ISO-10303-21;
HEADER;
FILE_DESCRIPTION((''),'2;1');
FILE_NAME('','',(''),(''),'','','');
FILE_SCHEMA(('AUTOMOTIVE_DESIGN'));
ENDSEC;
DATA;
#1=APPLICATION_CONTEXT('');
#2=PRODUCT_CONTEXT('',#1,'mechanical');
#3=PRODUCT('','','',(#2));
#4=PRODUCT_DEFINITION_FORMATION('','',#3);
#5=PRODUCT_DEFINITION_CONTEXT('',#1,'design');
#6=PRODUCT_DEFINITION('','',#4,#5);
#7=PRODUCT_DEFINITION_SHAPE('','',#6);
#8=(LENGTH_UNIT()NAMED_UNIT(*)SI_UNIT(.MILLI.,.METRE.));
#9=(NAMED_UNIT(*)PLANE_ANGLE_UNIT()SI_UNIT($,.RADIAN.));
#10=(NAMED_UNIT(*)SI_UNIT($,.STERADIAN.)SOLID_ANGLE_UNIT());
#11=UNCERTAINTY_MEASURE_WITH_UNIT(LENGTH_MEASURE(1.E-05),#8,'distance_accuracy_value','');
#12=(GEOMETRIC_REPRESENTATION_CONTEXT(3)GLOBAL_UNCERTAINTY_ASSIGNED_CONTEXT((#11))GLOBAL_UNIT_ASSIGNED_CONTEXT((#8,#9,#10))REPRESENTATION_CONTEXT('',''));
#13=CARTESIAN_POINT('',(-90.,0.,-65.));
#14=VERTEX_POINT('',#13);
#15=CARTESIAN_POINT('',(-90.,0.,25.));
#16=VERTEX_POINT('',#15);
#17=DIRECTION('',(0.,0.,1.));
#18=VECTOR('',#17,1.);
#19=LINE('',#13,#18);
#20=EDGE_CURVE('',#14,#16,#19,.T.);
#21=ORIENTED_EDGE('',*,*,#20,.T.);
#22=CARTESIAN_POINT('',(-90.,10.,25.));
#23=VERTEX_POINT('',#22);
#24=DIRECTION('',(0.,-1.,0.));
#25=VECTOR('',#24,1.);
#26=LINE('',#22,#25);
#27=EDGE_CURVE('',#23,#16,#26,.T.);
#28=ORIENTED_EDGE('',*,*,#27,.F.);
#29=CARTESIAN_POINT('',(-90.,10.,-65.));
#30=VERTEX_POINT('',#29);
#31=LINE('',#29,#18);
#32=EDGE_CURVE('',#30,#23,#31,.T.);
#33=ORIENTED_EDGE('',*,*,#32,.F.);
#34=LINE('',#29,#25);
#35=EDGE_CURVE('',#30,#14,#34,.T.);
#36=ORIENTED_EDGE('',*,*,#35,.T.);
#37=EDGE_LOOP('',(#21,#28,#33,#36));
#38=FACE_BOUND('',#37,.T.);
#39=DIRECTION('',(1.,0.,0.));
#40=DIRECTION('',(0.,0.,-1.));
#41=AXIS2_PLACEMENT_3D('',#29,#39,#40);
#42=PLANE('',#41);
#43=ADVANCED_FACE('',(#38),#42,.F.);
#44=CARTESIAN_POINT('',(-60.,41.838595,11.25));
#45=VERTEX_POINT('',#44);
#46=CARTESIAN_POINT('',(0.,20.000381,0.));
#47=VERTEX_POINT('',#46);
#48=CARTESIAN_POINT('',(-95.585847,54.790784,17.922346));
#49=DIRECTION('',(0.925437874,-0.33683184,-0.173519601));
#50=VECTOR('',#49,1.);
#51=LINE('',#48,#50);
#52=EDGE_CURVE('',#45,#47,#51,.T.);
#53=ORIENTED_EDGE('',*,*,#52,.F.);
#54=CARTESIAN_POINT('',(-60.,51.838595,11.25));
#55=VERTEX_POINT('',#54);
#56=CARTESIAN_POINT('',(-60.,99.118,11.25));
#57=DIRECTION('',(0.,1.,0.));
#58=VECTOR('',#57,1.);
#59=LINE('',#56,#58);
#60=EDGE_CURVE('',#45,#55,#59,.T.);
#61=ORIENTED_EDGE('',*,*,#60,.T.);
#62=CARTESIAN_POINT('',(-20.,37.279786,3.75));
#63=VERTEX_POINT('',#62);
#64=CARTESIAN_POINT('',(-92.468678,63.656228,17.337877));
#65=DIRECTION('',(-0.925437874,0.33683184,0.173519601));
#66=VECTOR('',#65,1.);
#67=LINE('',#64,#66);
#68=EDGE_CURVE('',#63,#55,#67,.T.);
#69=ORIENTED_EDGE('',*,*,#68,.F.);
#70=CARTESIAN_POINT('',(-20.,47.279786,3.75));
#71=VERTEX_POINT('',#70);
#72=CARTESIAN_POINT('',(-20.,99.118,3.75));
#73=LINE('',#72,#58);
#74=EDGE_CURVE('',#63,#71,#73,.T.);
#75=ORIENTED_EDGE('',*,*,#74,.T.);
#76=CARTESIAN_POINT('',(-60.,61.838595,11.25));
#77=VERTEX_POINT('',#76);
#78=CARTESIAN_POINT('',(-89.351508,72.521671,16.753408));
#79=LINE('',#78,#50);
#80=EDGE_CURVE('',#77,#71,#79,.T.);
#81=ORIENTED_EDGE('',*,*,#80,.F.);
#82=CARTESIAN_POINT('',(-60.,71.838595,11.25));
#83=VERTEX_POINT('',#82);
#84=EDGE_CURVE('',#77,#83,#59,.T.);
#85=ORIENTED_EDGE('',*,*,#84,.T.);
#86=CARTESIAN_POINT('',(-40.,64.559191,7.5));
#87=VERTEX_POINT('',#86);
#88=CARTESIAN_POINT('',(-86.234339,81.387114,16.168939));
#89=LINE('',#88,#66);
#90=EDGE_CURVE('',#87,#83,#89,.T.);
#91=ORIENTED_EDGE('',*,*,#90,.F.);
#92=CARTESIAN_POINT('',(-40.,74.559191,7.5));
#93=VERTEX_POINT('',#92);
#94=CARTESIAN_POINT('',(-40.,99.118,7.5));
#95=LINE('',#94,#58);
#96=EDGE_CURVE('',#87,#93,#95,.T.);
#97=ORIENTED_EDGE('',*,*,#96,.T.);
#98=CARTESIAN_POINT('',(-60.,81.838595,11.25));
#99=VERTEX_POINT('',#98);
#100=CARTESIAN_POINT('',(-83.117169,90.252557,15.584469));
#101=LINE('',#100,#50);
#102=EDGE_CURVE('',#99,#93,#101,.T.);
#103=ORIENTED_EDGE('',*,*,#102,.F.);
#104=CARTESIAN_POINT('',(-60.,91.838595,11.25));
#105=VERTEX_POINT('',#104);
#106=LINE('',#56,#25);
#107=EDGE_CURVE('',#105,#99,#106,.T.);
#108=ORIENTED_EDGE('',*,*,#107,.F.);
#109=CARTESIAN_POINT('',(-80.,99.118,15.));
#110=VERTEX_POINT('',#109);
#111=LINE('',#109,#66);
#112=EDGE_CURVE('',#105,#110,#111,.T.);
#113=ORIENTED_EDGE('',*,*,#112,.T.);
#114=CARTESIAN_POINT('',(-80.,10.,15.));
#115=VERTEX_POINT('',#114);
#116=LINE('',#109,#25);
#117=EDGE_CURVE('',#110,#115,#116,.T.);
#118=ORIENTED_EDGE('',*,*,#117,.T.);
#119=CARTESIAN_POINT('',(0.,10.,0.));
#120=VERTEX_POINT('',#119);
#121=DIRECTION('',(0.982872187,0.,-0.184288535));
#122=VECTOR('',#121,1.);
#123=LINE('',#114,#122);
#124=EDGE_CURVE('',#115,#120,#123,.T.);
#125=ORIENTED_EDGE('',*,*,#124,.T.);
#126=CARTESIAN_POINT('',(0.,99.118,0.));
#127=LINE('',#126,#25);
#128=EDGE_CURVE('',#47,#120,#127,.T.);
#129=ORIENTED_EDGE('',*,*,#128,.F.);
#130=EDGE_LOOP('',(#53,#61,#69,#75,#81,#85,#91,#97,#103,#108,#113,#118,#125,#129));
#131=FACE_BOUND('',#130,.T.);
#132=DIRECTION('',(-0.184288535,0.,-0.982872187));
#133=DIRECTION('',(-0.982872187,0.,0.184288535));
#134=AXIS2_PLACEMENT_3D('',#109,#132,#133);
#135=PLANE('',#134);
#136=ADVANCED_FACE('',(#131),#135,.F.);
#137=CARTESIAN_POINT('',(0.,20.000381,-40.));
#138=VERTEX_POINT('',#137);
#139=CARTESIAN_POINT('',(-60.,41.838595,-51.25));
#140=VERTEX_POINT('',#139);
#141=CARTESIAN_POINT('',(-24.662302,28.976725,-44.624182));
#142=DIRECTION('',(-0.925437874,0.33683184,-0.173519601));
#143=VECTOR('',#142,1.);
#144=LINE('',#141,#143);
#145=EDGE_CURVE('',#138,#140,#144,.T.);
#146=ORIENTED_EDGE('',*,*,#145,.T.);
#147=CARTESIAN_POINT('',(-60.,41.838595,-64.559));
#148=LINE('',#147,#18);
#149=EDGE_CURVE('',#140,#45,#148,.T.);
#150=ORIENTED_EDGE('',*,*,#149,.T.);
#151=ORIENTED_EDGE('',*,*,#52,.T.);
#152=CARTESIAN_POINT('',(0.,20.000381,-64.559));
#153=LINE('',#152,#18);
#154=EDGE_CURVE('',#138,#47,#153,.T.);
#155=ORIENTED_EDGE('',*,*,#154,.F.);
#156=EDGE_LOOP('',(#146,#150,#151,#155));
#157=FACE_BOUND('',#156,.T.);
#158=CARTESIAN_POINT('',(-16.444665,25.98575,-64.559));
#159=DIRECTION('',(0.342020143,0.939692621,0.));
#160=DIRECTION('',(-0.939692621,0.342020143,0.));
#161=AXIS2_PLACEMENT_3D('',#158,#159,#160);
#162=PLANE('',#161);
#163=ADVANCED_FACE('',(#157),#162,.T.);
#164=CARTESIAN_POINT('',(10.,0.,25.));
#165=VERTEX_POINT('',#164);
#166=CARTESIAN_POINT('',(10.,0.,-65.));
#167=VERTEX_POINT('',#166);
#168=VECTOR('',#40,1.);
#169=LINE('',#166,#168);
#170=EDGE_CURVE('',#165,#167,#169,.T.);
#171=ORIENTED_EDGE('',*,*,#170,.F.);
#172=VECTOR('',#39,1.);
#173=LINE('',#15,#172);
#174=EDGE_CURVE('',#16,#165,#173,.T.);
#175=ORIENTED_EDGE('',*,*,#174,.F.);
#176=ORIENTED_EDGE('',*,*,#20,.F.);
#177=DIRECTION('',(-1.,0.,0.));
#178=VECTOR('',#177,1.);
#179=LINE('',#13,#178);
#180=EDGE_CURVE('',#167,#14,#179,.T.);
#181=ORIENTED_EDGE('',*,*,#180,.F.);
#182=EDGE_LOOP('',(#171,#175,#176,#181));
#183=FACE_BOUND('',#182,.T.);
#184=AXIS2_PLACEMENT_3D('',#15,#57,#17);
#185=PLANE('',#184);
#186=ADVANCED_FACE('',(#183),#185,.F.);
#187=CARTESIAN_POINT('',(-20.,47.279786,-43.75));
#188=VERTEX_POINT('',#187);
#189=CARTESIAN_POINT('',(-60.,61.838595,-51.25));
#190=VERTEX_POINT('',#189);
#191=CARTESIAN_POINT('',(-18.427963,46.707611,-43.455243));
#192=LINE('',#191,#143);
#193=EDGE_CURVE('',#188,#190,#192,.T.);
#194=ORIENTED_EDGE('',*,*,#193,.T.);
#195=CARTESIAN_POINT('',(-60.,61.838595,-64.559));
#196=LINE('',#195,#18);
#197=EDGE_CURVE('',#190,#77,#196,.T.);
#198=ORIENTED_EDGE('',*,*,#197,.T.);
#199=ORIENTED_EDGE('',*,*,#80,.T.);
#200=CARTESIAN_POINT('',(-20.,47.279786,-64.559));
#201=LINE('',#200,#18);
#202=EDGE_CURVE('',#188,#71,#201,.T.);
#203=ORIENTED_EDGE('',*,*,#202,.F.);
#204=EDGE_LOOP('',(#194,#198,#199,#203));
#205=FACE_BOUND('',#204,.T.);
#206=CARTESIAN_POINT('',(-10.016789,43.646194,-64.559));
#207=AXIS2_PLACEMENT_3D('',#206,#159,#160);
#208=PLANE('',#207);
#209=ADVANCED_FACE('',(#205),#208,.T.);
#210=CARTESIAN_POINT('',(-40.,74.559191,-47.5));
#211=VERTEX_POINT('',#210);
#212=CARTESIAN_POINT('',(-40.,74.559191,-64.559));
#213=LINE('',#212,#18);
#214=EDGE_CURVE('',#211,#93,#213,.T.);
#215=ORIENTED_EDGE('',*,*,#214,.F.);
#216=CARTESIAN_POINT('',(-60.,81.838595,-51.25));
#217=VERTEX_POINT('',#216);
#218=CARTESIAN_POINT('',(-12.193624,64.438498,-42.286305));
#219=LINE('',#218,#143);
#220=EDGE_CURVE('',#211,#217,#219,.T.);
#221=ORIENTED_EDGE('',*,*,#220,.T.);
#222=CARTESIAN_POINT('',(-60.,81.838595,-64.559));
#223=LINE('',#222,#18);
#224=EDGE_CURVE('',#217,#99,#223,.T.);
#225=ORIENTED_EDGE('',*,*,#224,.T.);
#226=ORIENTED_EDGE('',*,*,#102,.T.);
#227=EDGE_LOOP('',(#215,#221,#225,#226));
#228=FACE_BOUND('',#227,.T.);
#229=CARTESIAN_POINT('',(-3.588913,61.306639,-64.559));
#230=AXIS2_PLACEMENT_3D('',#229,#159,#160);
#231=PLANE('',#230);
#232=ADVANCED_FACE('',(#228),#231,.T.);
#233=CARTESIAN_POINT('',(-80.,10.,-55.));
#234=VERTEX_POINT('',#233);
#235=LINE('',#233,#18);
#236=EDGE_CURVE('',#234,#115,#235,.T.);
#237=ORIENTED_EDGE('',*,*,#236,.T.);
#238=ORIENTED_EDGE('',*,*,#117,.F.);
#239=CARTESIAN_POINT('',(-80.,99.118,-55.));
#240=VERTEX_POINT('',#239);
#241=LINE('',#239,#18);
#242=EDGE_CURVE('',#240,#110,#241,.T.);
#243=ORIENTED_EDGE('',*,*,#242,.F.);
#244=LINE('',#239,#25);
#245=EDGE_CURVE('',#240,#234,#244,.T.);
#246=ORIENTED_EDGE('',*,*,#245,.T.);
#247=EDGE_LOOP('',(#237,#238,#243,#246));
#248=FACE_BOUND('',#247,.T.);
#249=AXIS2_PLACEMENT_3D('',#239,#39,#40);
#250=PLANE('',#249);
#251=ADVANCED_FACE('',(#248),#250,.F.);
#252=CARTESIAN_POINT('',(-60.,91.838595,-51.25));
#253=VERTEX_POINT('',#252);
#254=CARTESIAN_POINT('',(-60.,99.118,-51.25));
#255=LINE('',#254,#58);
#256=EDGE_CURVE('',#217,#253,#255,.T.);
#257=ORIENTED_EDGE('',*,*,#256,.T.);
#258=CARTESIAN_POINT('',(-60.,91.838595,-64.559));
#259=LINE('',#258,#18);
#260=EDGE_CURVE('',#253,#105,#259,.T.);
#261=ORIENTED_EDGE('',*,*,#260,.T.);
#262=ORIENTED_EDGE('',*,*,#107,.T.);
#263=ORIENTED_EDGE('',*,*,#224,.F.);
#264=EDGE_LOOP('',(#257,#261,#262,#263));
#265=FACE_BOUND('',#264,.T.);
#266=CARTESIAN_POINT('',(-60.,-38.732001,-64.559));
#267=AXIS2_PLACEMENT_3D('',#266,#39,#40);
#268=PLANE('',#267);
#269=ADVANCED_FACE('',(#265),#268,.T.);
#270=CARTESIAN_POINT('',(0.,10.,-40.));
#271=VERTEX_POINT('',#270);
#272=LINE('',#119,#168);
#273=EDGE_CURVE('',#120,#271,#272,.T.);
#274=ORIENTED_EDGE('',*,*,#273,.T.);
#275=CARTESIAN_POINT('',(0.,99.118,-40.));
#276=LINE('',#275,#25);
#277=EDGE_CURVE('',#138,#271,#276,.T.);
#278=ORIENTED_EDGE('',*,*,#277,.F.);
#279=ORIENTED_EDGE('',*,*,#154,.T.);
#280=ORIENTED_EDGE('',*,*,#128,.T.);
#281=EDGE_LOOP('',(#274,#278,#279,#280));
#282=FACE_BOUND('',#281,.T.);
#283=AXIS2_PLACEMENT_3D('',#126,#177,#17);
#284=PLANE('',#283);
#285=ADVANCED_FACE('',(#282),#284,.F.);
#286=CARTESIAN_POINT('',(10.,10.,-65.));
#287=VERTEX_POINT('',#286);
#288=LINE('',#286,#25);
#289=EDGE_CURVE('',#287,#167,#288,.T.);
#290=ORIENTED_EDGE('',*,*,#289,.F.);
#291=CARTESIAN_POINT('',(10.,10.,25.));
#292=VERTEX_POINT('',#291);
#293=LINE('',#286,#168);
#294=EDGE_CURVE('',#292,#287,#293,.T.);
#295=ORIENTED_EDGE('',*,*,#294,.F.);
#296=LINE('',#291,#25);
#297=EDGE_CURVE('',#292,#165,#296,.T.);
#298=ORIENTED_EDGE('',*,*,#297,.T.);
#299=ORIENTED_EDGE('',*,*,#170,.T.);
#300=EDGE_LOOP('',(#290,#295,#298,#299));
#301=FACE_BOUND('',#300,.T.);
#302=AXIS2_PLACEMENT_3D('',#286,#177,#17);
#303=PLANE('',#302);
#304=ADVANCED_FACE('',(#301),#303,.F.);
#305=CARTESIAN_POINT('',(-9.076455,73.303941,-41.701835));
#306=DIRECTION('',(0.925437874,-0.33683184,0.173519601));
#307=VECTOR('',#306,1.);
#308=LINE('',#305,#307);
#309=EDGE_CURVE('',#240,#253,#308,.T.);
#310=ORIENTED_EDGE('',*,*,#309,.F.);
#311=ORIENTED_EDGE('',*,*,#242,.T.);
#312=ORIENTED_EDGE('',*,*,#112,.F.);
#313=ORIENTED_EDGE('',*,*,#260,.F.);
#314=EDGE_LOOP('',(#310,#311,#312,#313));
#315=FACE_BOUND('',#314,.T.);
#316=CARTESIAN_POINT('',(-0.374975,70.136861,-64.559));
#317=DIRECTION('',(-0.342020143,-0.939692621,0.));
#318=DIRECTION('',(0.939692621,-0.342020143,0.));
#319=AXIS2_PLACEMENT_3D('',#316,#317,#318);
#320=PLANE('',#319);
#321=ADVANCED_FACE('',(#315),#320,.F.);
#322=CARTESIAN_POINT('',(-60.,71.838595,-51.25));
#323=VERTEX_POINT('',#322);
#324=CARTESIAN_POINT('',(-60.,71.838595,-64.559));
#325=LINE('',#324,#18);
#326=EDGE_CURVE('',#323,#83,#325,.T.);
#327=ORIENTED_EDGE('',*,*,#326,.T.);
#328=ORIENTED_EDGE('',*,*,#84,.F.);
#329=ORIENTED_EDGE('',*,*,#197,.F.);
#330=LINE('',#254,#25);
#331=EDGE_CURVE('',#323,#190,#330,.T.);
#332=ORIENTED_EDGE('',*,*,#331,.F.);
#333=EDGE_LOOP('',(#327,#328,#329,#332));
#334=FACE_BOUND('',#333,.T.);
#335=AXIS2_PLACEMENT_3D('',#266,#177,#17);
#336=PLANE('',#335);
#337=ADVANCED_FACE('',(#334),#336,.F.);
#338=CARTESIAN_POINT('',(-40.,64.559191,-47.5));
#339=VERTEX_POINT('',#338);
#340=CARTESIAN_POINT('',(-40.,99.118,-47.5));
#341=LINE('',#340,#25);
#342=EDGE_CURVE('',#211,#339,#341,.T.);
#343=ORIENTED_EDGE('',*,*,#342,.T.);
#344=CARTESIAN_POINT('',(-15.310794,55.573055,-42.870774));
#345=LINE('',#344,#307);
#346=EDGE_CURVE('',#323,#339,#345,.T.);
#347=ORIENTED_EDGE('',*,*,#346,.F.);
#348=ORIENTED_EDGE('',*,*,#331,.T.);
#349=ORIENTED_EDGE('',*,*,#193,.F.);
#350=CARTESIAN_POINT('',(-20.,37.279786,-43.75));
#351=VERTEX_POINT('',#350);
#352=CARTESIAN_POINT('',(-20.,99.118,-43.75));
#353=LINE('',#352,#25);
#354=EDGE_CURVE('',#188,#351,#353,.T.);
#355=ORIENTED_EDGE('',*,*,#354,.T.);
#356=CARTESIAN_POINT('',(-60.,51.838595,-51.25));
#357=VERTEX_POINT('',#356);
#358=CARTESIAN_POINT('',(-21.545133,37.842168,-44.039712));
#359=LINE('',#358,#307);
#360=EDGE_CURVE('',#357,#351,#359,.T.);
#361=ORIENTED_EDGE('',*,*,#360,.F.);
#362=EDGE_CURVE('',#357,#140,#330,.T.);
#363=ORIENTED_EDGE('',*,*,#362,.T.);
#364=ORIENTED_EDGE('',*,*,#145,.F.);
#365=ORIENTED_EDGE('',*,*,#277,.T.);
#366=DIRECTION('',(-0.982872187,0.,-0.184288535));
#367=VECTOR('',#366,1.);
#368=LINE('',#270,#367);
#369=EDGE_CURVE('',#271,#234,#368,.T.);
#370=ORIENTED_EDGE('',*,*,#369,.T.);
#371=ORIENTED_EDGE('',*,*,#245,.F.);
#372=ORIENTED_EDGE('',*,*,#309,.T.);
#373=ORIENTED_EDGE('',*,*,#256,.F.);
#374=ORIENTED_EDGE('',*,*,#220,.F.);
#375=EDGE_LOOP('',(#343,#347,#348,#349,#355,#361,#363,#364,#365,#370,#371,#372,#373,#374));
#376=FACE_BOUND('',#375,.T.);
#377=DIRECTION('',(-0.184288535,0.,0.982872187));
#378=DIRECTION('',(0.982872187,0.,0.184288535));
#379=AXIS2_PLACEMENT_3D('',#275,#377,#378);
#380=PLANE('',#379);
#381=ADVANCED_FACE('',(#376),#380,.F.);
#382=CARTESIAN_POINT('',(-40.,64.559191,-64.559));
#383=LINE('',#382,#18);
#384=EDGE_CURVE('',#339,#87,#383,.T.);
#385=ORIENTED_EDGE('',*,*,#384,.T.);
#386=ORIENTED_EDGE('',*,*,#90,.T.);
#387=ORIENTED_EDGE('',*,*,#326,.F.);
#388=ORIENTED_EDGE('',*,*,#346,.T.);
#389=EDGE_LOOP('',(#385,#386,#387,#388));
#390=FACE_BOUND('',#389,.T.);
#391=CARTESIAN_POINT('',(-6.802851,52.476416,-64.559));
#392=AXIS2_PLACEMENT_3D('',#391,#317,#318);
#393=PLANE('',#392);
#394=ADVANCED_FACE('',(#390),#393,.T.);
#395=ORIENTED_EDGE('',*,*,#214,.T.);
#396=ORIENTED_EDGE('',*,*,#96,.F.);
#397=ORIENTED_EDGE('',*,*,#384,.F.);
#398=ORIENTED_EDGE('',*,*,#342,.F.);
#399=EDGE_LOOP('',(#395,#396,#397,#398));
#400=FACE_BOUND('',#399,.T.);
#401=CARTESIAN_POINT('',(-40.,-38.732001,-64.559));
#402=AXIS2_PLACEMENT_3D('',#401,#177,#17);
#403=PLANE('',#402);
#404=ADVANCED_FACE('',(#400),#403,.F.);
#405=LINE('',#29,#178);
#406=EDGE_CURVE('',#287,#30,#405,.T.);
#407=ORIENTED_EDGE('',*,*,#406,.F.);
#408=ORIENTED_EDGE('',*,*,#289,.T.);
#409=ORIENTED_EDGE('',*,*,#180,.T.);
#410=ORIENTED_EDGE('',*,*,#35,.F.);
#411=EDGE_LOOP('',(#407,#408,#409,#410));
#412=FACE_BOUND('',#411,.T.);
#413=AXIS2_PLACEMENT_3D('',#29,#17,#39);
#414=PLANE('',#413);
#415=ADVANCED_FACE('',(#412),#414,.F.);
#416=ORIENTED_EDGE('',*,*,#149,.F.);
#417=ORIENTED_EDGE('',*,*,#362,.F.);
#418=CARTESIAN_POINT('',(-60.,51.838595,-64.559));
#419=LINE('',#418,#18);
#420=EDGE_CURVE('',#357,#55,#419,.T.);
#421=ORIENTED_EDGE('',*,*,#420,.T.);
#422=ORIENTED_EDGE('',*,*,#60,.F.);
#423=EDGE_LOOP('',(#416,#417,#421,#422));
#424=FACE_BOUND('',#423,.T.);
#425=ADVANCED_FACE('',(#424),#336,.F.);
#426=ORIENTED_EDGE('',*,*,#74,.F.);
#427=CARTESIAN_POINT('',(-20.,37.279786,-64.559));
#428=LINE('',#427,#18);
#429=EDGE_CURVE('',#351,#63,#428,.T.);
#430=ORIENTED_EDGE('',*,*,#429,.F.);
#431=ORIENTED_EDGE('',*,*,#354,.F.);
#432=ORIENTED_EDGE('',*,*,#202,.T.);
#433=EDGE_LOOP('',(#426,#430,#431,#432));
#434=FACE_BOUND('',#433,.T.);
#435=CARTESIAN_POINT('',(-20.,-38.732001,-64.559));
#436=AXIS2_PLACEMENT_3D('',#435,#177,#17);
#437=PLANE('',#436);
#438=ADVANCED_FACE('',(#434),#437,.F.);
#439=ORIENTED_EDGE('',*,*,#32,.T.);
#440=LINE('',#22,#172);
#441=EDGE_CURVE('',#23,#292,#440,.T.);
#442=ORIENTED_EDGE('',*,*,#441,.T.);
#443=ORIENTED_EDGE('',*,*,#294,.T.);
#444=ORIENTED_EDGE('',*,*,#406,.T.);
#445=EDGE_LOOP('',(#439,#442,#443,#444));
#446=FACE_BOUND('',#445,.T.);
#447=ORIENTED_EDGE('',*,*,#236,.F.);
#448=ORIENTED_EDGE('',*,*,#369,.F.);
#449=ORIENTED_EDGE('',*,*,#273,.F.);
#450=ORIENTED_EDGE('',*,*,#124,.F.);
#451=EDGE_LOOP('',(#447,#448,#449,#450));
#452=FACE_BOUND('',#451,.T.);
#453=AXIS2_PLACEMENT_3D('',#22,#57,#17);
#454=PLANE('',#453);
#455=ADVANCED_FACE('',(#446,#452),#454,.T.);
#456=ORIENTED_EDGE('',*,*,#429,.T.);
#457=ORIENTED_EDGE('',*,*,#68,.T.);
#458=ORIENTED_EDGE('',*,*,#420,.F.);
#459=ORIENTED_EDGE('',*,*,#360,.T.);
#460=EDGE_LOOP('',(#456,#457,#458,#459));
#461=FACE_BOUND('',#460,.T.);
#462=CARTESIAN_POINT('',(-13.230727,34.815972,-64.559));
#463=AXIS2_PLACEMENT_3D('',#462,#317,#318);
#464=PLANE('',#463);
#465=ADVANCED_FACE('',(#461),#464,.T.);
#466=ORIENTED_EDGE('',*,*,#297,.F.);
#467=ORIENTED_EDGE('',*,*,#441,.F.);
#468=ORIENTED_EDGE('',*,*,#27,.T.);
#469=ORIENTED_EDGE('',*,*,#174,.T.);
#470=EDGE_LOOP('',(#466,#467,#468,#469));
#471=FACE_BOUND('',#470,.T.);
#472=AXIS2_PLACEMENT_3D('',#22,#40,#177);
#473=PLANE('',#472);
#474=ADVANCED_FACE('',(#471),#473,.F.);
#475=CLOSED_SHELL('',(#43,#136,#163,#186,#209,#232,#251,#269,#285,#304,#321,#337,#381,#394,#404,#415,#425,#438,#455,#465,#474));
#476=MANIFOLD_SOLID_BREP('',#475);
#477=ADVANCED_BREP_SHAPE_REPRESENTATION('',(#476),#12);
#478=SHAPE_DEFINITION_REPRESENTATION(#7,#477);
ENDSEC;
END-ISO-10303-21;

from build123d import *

# Parameters (mm, degrees)
SKETCH1_W      = 100
SKETCH1_H      = 90
EXTRUDE1_DEPTH = 10
EXTRUDE2_DEPTH = 89.118
EXTRUDE3_DEPTH = 64.559


with BuildPart() as part:
    # Sketch1 → Extrude1 (new body)
    with BuildSketch(Plane(origin=(0, 0, 0), x_dir=(1, 0, 0), z_dir=(0, 1, 0))):
        with Locations((-40, 20)):
            Rectangle(SKETCH1_W, SKETCH1_H)
    extrude(amount=EXTRUDE1_DEPTH)

    # Sketch2 → Extrude2 (add)
    with BuildSketch(Plane(origin=(0, 10, 0), x_dir=(1, 0, 0), z_dir=(0, 1, 0))):
        Polygon((0, 0), (0, 40), (-80, 55), (-80, -15), align=None)
    extrude(amount=EXTRUDE2_DEPTH)

    # Sketch3 → Extrude3 (cut, symmetric)
    with BuildSketch(Plane.XY):
        Polygon((0, 99.118), (-80, 99.118), (-60, 91.838595315), (-60, 81.838595315), (-40, 74.559190629), (-40, 64.559190629), (-60, 71.838595315), (-60, 61.838595315), (-20, 47.279785944), (-20, 37.279785944), (-60, 51.838595315), (-60, 41.838595315), (0, 20.000381259), (0, 30.000381259), align=None)
    extrude(amount=EXTRUDE3_DEPTH, both=True, mode=Mode.SUBTRACT)


solid = part.part
